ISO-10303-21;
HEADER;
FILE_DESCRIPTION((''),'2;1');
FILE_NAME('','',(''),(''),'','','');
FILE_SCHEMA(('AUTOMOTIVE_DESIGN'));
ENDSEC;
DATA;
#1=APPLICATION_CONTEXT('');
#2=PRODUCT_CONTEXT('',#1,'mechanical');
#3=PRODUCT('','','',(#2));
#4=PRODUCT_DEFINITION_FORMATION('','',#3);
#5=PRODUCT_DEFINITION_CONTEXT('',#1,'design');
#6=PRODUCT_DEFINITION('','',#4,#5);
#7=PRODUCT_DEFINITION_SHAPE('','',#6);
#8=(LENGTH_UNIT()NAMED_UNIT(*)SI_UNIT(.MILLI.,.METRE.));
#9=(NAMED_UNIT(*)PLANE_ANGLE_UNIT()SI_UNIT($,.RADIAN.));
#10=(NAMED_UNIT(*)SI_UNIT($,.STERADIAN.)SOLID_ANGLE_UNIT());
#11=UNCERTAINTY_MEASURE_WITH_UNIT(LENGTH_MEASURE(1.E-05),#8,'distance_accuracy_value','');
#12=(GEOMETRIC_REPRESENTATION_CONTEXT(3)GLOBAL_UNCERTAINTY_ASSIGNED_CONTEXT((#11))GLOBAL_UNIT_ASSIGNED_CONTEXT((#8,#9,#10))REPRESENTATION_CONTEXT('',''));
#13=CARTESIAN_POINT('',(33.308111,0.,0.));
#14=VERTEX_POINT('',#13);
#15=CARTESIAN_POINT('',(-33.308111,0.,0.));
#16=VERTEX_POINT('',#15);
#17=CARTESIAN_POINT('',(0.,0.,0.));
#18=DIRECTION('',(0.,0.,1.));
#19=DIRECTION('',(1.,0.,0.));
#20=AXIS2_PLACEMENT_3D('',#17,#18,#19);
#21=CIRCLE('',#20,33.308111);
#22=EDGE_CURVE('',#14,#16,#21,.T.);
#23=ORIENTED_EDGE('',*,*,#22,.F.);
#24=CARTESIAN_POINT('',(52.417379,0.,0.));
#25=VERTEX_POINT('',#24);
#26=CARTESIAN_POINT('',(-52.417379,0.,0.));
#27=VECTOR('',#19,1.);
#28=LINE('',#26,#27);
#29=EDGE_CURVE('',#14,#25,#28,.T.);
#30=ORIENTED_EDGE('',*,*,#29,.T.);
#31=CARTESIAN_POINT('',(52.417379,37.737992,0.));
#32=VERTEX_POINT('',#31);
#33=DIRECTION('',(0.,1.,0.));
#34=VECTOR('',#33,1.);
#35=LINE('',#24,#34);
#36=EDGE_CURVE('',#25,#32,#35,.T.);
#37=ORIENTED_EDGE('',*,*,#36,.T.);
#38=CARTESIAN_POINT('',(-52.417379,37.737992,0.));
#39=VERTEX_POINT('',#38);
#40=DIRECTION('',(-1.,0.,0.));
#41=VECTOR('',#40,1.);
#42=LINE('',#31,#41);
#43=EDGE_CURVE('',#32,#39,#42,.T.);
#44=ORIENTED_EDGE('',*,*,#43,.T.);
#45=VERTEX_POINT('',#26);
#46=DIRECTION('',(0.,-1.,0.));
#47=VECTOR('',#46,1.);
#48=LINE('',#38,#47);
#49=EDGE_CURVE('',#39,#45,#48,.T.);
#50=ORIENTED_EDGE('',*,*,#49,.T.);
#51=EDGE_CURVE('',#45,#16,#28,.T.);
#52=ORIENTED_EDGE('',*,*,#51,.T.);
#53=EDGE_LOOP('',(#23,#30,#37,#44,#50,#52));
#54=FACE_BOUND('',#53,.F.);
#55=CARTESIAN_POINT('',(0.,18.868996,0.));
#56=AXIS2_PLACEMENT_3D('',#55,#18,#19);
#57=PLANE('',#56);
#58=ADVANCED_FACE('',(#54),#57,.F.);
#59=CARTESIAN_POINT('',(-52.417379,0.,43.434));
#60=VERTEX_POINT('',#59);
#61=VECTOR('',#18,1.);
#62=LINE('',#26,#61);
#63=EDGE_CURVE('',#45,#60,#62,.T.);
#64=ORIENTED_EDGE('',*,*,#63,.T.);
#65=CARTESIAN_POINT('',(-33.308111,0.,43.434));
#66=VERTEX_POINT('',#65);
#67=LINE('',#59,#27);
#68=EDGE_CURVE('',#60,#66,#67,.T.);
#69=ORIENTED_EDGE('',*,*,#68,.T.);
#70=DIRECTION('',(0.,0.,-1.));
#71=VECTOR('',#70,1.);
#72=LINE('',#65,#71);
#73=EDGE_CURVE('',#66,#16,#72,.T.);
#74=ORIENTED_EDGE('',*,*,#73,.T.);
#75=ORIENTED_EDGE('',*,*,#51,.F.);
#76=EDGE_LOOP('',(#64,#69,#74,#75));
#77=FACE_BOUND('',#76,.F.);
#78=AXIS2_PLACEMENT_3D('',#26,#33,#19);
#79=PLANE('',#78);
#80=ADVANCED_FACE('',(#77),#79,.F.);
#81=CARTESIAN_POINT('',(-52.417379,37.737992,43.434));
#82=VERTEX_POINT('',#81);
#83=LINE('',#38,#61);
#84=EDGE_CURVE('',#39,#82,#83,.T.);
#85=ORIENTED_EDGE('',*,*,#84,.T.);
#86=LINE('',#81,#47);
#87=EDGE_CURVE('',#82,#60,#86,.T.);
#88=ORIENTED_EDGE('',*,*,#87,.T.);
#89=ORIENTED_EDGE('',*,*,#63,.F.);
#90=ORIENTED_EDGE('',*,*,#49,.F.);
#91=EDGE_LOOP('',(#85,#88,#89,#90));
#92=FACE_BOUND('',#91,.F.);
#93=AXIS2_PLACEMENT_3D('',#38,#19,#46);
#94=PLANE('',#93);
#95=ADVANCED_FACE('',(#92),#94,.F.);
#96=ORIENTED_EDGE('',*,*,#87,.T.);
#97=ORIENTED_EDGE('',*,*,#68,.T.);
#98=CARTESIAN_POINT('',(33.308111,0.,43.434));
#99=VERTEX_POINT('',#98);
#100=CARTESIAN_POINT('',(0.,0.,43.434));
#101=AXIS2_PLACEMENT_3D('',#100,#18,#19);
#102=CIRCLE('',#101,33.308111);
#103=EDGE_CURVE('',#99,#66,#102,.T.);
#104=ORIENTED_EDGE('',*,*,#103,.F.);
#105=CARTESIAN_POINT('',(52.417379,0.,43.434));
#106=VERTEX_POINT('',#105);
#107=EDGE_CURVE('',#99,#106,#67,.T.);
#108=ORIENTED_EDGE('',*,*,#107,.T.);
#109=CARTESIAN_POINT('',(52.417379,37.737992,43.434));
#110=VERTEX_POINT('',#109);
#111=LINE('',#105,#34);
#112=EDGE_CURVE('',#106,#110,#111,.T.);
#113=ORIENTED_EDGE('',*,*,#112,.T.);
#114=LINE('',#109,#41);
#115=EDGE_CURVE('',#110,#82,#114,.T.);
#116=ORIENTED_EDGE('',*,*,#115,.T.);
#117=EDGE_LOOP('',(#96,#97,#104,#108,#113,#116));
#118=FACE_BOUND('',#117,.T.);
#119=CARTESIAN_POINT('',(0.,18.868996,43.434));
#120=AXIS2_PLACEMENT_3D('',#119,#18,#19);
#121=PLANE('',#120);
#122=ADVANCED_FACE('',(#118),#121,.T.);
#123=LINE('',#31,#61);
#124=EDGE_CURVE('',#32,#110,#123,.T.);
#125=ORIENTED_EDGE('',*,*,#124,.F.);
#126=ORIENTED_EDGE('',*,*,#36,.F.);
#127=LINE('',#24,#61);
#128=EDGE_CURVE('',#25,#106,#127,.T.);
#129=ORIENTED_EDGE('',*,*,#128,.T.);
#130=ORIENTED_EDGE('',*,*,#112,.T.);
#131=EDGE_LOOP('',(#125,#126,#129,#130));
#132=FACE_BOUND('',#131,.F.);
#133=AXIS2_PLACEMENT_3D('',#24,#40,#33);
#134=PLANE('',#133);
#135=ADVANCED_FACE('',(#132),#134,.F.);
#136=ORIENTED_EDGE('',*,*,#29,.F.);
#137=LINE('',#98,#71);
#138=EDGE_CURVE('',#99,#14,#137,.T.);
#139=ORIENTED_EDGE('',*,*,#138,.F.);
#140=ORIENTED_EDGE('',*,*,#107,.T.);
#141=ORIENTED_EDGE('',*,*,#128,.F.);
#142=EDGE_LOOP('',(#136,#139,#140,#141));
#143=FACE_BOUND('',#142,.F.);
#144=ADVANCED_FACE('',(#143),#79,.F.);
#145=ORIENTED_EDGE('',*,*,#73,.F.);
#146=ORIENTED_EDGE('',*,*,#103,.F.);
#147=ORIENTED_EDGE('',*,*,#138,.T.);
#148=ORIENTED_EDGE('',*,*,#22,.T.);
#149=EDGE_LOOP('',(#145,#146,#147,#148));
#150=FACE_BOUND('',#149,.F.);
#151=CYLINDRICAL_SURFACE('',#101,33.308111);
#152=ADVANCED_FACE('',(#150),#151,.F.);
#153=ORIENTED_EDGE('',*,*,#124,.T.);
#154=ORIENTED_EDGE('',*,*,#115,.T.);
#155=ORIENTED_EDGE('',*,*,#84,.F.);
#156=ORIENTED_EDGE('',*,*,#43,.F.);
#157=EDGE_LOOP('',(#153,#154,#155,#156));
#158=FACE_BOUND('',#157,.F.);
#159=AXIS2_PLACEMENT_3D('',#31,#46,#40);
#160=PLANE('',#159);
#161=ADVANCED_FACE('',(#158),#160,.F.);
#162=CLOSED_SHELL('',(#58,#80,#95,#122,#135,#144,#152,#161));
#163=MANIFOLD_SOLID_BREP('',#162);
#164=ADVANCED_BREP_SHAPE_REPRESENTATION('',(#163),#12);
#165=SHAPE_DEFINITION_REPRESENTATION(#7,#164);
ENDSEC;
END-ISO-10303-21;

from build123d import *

# Parameters (mm, degrees)
F1_DEPTH = 43.434
F3_DEPTH = 43.435


with BuildPart() as f1:
    # F0 (on Top) → F1 (new body)
    with BuildSketch(Plane.XY):
        Polygon((0, 37.737992), (-52.417379, 37.737992), (-52.417379, 0), (52.417379, 0), (52.417379, 37.737992), align=None)
    extrude(amount=F1_DEPTH)

    # F2 (on face) → F3 (cut, through all)
    with BuildSketch(Plane.XY.offset(43.434)):
        with BuildLine():
            Line((-33.308111, 0), (33.308111, 0))
            ThreePointArc((33.308111, 0), (0, 33.308111), (-33.308111, 0))
        make_face()
    extrude(amount=-F3_DEPTH, mode=Mode.SUBTRACT)


solid = f1.part
